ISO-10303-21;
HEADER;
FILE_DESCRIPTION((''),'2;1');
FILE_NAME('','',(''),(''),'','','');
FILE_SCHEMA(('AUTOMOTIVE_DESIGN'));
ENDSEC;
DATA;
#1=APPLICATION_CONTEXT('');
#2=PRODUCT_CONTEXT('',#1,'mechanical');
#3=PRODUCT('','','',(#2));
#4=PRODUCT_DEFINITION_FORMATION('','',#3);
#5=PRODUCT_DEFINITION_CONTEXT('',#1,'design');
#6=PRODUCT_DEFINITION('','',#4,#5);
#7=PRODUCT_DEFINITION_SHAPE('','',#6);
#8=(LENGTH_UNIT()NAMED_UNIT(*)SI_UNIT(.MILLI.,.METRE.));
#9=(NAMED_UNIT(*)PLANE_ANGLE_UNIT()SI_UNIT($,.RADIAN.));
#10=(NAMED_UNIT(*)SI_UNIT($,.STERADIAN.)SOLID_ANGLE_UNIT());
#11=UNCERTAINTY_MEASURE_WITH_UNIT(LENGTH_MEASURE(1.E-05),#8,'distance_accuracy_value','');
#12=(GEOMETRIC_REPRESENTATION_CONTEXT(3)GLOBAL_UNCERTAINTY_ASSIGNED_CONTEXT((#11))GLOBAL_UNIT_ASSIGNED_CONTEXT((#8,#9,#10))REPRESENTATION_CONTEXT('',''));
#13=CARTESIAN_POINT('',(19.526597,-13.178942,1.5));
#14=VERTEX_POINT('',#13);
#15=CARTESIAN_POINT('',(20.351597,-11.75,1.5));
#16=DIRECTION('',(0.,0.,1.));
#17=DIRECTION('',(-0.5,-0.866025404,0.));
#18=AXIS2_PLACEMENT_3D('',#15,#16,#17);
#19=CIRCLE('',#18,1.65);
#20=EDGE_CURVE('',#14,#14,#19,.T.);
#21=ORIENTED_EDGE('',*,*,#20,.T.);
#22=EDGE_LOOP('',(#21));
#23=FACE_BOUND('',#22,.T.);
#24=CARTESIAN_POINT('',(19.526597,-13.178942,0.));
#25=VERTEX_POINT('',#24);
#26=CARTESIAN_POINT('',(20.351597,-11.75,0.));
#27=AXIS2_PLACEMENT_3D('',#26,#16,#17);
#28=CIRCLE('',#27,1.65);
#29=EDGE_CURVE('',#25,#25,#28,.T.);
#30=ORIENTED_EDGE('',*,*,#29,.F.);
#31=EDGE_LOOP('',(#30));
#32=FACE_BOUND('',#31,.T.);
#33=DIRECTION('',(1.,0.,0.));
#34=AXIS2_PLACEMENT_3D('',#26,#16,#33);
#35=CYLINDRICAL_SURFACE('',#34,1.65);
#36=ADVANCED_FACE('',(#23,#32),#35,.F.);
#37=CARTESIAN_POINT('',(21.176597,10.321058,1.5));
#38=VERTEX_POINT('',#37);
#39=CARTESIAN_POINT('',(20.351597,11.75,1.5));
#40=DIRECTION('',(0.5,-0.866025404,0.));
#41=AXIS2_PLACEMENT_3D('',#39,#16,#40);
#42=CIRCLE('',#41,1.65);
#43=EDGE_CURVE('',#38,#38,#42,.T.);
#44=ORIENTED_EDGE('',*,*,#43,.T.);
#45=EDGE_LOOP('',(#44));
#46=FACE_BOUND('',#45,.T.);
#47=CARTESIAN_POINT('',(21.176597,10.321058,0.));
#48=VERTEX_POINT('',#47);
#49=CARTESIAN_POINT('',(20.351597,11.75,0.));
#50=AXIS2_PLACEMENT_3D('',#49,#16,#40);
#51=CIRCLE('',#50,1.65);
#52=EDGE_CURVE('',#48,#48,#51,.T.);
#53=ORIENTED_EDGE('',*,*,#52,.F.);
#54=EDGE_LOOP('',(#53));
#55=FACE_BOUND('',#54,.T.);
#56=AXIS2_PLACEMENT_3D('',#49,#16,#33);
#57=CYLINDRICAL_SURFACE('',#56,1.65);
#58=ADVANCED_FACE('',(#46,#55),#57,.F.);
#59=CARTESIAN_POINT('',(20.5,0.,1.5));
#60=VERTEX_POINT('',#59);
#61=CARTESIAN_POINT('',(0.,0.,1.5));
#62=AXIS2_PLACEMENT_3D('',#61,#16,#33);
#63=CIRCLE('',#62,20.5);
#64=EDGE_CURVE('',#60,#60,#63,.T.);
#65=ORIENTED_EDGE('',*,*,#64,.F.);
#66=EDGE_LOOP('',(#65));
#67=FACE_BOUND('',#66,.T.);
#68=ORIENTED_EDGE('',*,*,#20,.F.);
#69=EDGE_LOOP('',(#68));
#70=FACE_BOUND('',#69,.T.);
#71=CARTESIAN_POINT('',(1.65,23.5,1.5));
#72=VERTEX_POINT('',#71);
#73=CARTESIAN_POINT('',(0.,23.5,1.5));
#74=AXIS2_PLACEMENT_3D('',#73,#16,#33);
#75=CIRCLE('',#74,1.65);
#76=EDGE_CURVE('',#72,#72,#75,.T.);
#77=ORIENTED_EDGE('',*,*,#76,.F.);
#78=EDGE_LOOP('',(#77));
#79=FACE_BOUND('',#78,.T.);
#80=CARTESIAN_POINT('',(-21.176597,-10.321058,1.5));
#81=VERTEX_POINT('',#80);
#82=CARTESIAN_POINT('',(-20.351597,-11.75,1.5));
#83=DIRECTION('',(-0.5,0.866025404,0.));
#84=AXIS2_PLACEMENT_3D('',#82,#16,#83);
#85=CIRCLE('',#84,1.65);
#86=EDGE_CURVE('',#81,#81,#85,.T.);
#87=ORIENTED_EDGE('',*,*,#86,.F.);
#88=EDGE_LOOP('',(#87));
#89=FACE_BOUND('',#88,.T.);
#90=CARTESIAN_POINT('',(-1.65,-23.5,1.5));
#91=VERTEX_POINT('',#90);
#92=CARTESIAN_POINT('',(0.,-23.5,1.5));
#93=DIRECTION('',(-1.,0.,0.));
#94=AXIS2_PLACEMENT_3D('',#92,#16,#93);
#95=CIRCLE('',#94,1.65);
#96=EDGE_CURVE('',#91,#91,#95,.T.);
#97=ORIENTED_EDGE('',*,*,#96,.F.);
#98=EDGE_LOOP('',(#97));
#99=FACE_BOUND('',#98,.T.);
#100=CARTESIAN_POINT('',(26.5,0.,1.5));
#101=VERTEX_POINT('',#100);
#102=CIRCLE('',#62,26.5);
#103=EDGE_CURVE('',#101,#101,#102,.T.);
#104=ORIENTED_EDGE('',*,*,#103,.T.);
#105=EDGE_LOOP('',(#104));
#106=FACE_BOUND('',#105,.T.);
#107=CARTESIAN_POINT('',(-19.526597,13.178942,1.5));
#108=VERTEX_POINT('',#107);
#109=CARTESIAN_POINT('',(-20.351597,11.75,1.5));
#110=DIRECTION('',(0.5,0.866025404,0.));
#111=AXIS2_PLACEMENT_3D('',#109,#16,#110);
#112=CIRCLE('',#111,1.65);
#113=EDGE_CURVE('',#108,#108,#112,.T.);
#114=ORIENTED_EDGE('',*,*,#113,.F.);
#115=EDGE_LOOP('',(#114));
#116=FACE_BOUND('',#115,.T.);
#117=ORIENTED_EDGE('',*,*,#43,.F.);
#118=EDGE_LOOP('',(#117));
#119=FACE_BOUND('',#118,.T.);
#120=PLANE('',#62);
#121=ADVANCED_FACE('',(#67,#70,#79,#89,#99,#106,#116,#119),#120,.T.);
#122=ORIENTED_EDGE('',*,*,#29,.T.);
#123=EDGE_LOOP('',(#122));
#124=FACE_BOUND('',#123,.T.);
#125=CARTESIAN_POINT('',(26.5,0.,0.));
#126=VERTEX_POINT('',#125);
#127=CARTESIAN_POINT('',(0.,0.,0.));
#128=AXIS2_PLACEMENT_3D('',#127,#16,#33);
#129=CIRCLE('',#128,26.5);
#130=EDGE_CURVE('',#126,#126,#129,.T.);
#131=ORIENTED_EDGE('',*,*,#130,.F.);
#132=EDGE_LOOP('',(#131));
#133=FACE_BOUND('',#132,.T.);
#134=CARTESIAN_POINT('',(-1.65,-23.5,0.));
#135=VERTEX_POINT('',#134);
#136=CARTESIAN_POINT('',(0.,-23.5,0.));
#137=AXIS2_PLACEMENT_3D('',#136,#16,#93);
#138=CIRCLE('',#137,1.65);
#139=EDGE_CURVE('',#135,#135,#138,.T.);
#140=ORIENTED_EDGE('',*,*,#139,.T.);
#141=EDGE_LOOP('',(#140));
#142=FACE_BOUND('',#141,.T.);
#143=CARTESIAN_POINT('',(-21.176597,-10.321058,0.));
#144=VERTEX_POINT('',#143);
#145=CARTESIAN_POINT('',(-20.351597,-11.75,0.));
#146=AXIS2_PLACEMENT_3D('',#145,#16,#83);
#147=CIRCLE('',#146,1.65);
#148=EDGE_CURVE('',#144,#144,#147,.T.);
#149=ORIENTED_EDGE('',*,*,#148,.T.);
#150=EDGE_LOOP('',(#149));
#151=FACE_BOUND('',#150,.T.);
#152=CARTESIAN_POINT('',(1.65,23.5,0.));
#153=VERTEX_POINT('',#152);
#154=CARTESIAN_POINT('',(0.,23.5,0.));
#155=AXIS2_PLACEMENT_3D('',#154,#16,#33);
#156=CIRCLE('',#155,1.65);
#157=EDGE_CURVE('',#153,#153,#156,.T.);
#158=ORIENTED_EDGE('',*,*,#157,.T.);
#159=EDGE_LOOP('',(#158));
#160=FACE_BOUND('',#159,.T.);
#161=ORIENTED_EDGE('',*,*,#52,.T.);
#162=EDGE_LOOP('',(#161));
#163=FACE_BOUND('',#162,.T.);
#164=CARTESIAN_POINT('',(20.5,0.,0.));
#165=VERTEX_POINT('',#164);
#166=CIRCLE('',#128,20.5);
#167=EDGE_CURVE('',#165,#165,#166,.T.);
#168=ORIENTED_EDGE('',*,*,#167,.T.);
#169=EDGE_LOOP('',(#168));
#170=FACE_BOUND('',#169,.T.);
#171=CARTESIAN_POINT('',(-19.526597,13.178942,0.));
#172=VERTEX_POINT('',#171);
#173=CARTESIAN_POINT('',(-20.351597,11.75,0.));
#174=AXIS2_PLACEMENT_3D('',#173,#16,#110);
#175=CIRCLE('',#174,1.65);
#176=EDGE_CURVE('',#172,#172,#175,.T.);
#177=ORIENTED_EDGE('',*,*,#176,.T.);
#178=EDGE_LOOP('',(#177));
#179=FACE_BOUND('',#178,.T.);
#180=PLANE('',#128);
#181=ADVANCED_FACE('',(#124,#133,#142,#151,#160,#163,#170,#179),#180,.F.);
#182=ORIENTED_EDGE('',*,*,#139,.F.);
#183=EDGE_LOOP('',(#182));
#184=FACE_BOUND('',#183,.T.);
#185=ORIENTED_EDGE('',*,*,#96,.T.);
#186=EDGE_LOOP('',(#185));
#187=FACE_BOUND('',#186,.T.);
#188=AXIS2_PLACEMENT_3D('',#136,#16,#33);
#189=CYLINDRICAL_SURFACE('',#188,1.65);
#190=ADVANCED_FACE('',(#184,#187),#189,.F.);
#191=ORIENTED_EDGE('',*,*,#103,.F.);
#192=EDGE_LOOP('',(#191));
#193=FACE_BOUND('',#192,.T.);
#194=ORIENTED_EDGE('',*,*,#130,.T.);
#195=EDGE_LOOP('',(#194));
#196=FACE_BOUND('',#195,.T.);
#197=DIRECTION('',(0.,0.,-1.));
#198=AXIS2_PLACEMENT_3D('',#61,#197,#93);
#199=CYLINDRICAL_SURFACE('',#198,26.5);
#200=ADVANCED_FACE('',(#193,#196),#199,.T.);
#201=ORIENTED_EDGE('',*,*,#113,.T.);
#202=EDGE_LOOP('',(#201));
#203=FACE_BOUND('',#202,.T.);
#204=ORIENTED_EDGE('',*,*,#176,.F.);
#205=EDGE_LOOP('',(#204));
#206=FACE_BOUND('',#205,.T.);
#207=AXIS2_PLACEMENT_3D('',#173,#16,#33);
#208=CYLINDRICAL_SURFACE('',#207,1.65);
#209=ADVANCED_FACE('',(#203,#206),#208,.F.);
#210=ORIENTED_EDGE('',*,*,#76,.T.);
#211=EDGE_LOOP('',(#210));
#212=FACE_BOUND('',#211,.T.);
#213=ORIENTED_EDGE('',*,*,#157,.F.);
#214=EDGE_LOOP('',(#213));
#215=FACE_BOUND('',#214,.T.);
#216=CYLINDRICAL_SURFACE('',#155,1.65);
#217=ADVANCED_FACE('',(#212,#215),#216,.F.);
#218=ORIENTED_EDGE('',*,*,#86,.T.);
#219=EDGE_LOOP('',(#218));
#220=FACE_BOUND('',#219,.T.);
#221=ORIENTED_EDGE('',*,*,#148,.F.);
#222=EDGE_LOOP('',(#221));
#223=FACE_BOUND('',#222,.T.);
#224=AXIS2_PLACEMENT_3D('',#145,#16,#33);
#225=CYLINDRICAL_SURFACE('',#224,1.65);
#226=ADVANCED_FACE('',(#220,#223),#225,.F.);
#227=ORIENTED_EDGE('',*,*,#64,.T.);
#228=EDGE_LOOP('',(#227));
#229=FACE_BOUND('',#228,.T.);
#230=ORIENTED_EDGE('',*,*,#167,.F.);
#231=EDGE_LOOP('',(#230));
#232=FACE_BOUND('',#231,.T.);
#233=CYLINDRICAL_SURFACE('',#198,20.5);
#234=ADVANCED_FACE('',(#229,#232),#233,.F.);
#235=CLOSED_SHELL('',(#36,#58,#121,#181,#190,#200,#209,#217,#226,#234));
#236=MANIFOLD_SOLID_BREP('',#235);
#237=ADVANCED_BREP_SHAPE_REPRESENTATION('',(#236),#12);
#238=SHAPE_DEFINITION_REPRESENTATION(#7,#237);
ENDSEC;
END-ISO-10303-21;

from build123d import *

# Parameters (mm, degrees)
SKETCH_1_R               = 26.5
SKETCH_1_R_2             = 20.5
EXTRUDE_1_DEPTH          = 1.5
SKETCH_2_R               = 1.65
CUT_EXTRUDE_1_DEPTH      = 1.5
PATTERN_CIRCULAR_1_COUNT = 6


with BuildPart() as part:
    # 草图1 → 凸台-拉伸1 (new body)
    with BuildSketch(Plane.XY):
        Circle(SKETCH_1_R)
        Circle(SKETCH_1_R_2, mode=Mode.SUBTRACT)
    extrude(amount=EXTRUDE_1_DEPTH)

    # 草图2 → 切除-拉伸1 (cut)
    with BuildSketch(Plane.XY.offset(1.5)):
        with Locations((0, 23.5)):
            Circle(SKETCH_2_R)
    cut_extrude_1 = extrude(amount=-CUT_EXTRUDE_1_DEPTH, mode=Mode.SUBTRACT)

    # 阵列(圆周)1: 切除-拉伸1 ×6 about axis
    pattern_circular_1_axis = Axis((0, 0, 0), (0, 0, 1))
    for i in range(1, PATTERN_CIRCULAR_1_COUNT):
        add(cut_extrude_1.rotate(pattern_circular_1_axis, i * 360 / PATTERN_CIRCULAR_1_COUNT), mode=Mode.SUBTRACT)


solid = part.part
